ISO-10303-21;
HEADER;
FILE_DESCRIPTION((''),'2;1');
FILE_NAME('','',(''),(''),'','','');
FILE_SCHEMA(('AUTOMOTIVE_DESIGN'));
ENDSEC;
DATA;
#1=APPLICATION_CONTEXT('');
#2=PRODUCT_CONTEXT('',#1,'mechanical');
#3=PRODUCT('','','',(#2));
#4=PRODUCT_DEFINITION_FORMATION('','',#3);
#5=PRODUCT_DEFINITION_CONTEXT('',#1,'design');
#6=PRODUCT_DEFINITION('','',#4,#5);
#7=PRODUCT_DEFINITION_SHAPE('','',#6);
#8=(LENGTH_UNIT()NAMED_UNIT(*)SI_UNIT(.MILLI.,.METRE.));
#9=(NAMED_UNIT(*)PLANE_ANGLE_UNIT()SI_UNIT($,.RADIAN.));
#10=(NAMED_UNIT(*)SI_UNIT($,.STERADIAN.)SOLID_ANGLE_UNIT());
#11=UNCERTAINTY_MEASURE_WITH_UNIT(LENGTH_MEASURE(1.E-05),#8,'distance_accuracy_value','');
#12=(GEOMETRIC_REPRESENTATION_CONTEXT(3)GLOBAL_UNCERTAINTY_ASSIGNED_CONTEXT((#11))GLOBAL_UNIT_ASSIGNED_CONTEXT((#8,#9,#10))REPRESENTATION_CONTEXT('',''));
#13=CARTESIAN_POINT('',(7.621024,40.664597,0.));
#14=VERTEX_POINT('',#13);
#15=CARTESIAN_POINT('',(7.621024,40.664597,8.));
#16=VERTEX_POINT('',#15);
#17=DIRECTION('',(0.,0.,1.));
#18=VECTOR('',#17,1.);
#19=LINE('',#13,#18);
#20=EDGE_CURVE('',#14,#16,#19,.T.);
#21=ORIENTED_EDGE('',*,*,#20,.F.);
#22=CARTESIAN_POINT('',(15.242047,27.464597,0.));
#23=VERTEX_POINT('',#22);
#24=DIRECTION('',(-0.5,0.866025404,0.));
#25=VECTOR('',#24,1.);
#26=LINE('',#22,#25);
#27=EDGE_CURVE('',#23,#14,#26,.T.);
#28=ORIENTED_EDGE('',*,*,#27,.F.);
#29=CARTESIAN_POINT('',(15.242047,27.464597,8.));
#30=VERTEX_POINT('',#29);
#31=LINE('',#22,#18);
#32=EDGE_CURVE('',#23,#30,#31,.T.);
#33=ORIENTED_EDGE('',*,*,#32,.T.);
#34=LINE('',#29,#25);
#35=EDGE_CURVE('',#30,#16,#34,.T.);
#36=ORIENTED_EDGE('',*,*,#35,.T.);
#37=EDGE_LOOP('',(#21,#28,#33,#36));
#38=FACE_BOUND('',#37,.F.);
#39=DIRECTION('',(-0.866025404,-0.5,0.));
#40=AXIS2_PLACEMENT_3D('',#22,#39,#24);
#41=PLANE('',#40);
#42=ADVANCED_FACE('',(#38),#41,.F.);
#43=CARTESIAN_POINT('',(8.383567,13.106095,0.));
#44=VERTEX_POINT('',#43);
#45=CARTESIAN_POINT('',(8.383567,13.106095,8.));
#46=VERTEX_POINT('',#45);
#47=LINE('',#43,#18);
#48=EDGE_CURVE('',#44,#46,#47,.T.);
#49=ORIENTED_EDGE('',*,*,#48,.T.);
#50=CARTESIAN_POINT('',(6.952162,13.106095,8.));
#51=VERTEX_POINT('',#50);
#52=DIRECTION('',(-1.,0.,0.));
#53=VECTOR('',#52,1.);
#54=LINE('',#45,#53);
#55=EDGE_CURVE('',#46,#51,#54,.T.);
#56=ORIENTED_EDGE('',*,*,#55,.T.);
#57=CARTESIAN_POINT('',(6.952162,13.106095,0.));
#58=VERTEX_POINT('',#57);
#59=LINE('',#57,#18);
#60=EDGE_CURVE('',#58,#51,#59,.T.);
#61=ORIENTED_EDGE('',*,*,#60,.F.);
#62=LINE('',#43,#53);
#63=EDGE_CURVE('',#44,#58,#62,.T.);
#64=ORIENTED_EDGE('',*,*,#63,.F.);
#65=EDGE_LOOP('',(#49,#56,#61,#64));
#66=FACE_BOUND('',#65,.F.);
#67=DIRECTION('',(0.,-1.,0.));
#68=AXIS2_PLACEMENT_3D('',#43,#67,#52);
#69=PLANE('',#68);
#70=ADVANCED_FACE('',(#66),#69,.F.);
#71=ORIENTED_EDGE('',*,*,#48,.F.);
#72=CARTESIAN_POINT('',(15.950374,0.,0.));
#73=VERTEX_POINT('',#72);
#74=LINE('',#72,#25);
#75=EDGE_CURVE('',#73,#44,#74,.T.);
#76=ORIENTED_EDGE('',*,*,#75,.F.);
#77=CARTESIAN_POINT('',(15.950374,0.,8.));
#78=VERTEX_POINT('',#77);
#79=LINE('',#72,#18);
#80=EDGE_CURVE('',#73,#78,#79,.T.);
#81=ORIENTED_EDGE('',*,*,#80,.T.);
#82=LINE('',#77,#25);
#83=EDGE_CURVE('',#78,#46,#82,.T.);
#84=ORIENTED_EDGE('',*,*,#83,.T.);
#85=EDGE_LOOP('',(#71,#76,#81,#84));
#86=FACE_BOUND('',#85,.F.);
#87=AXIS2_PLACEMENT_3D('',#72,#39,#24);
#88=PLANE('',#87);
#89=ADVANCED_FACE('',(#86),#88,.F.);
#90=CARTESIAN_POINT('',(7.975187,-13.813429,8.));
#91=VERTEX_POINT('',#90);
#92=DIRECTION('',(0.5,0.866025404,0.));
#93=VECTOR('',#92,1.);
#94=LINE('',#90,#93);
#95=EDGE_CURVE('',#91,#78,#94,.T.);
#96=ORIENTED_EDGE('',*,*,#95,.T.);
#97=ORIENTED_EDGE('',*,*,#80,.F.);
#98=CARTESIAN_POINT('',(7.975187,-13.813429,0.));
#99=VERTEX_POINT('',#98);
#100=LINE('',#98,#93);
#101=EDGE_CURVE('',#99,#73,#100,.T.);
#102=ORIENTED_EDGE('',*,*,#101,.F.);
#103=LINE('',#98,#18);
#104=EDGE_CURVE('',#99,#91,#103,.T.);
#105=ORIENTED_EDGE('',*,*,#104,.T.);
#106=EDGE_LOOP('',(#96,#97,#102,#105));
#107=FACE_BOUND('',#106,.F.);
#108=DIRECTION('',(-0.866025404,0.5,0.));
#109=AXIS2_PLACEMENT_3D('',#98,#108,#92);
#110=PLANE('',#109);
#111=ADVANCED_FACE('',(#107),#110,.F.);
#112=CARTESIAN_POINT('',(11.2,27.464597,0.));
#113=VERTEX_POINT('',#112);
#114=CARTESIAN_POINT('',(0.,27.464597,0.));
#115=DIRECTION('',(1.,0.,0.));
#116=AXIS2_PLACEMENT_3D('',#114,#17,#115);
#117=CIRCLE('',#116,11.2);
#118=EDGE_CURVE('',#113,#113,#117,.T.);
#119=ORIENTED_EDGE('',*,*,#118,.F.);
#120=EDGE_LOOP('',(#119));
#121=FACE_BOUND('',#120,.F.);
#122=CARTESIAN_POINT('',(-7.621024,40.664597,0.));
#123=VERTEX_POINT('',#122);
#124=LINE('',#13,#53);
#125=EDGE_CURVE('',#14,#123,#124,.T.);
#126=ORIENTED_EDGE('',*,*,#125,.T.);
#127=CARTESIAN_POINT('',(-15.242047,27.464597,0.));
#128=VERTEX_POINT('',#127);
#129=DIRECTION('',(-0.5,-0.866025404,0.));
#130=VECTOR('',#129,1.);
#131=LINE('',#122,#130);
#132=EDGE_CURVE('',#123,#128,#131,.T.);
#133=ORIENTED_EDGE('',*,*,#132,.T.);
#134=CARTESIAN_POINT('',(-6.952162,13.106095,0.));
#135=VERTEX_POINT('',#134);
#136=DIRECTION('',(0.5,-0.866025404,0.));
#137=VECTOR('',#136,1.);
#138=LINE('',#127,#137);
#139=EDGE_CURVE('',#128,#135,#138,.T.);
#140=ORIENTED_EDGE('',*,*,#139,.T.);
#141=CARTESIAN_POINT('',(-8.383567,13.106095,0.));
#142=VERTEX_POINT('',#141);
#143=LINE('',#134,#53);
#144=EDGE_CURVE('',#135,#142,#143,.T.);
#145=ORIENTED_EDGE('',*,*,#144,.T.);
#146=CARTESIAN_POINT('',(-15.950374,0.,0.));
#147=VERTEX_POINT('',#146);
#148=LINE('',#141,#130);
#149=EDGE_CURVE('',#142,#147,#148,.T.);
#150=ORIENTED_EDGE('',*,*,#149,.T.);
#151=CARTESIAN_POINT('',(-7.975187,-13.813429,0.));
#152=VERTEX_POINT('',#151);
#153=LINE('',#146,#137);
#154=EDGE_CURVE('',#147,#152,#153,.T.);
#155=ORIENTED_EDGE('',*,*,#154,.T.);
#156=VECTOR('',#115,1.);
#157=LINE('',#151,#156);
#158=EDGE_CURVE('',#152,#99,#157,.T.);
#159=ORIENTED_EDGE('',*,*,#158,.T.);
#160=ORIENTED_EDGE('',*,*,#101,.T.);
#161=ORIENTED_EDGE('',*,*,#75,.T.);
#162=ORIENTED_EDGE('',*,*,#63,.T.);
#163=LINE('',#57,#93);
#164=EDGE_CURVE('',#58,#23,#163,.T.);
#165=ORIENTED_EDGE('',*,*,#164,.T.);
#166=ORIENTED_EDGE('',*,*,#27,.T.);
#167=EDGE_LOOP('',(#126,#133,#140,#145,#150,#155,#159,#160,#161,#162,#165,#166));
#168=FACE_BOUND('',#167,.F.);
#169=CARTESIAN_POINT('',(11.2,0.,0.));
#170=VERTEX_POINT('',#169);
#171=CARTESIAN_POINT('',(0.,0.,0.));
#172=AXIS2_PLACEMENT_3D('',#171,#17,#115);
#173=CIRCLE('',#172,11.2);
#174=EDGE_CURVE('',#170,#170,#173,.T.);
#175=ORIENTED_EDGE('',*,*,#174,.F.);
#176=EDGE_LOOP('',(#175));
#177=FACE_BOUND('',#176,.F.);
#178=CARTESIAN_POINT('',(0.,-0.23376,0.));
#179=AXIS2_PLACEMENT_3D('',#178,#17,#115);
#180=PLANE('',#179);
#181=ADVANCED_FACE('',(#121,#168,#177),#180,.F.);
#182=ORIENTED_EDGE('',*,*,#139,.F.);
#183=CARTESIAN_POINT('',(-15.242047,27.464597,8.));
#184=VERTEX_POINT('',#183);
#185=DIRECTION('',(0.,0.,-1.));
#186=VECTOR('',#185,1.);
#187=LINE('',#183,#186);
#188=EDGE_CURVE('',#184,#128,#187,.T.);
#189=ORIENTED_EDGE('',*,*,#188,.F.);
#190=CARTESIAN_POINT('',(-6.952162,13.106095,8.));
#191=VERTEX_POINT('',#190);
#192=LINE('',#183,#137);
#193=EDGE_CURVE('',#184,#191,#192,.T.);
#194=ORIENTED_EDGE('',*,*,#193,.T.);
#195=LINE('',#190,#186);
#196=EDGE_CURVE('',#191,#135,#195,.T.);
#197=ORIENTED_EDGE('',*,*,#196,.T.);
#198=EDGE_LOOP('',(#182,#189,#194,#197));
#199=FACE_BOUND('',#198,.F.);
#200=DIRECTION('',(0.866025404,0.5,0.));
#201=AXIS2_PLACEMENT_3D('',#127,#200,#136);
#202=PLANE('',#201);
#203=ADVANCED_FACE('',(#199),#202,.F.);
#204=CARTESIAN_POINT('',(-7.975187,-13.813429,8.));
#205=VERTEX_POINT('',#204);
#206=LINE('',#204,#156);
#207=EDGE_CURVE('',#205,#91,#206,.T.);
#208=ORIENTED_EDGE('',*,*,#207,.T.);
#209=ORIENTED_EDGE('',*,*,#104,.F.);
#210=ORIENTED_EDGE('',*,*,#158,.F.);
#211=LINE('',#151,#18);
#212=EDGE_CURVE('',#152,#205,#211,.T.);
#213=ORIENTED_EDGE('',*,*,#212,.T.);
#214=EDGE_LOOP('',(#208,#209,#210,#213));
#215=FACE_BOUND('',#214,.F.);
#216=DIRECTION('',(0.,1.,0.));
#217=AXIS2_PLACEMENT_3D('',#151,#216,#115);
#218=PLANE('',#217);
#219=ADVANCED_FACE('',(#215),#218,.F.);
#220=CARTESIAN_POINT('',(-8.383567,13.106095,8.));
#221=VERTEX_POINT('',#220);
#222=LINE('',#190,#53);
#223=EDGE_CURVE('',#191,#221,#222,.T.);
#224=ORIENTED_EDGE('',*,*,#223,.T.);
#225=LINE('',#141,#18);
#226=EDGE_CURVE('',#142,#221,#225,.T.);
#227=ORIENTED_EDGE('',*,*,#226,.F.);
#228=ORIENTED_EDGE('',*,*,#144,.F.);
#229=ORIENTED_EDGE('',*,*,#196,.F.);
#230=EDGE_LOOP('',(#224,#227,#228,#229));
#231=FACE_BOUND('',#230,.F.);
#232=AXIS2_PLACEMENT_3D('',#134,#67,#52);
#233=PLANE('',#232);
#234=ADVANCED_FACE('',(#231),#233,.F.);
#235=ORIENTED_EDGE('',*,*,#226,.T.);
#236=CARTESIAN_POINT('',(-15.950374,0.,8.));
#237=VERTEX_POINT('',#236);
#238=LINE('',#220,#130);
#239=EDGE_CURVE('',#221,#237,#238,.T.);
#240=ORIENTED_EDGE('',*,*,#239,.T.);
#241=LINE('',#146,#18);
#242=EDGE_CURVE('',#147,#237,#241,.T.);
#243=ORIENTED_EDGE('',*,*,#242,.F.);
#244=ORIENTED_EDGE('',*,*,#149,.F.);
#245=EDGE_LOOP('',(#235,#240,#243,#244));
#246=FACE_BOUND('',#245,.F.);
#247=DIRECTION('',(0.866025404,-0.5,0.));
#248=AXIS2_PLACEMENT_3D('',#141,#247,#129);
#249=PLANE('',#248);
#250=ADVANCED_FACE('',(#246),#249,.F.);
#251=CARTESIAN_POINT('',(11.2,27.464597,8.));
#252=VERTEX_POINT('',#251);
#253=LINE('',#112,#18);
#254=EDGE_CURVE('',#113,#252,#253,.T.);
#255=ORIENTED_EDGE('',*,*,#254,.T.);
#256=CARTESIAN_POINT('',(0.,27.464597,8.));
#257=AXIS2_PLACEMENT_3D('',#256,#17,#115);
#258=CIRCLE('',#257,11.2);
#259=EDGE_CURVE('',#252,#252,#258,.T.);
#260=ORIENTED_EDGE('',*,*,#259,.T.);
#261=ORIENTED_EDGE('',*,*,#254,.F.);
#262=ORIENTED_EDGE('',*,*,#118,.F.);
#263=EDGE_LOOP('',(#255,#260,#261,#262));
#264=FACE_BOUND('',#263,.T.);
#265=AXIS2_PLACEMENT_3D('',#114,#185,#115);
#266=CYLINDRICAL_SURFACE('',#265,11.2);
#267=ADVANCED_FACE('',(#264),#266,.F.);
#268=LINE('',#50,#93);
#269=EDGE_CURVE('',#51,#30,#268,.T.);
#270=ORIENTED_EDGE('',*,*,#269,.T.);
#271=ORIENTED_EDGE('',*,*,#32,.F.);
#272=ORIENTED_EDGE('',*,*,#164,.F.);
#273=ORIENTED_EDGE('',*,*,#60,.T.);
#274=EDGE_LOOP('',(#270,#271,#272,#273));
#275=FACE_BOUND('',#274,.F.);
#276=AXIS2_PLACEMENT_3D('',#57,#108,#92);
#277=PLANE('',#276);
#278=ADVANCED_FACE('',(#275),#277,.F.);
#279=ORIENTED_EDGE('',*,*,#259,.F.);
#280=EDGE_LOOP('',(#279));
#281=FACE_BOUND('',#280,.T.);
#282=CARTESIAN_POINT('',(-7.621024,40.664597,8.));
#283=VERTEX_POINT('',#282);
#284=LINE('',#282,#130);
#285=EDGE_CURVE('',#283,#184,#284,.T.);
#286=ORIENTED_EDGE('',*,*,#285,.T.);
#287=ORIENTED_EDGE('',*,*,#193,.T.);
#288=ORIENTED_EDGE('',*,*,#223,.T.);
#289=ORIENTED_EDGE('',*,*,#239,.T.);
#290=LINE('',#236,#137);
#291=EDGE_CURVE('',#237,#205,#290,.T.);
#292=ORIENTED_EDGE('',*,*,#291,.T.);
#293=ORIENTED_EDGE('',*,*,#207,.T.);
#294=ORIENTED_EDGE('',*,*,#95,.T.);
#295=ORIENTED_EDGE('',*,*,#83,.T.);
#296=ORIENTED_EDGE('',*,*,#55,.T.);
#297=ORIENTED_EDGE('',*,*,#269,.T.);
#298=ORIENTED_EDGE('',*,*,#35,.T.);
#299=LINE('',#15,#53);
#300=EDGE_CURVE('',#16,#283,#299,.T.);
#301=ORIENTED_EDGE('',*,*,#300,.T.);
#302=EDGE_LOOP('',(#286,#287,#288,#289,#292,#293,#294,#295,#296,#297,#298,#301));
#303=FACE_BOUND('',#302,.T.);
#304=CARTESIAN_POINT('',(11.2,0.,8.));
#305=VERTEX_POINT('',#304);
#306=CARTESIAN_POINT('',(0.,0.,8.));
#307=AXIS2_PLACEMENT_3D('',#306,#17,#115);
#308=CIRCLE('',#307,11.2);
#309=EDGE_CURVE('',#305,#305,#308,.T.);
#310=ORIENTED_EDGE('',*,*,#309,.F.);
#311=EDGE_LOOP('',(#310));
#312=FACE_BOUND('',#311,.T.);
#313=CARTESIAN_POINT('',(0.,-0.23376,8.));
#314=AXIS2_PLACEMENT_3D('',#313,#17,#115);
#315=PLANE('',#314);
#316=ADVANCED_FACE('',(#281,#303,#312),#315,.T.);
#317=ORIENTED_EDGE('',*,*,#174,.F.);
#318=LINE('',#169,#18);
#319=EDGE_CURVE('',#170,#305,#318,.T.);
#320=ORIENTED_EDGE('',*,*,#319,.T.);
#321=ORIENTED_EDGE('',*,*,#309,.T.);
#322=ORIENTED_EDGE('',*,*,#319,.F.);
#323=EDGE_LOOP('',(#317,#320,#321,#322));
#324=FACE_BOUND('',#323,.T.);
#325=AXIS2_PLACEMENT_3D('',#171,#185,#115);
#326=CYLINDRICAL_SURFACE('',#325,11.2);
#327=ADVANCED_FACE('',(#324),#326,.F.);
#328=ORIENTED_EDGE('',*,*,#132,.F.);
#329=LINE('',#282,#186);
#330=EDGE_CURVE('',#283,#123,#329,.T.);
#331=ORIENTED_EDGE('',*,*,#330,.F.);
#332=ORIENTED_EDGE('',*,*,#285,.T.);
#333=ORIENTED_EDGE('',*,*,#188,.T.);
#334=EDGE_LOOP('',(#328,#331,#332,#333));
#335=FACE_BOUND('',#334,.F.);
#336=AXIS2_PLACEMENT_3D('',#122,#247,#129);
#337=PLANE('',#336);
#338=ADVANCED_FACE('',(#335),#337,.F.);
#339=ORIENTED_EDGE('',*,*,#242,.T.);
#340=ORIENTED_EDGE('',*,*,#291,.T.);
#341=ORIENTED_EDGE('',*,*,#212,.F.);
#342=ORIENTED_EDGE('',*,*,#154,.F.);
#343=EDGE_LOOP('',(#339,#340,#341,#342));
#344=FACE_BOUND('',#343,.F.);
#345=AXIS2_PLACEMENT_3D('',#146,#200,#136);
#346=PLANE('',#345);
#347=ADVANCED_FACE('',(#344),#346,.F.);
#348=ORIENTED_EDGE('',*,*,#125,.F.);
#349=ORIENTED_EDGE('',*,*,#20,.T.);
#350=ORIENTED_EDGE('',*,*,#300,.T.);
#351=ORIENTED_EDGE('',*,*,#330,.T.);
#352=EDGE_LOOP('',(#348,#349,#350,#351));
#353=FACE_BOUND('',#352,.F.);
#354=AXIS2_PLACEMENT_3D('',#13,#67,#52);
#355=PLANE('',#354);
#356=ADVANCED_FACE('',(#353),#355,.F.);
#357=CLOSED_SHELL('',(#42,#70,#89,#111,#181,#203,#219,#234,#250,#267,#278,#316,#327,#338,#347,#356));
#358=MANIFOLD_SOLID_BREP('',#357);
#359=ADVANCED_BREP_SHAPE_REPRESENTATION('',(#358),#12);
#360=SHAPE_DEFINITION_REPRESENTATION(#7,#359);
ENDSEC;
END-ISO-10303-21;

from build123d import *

# Parameters (mm, degrees)
F0_R     = 11.2
F1_DEPTH = 7
F2_DEPTH = 8


with BuildPart() as f1:
    # F0 (on Top) → F1 (new body)
    with BuildSketch(Plane.XY):
        Polygon((-6.952162063, 13.1060945418), (-8.3835671309, 13.1060945418), (-15.9503743426, 0), (-7.9751871713, -13.8134293806), (7.9751871713, -13.8134293806), (15.9503743426, 0), (8.3835671309, 13.1060945418), (6.952162063, 13.1060945418), (6.8042630964, 12.8499260172), (-6.8042630964, 12.8499260172), align=None)
        Circle(F0_R, mode=Mode.SUBTRACT)
        Polygon((-15.2420471066, 27.4645966262), (-6.952162063, 13.1060945418), (6.952162063, 13.1060945418), (15.2420471066, 27.4645966262), (7.6210235533, 40.6645966262), (-7.6210235533, 40.6645966262), align=None)
        with Locations((0, 27.4645966262)):
            Circle(F0_R, mode=Mode.SUBTRACT)
        Polygon((6.952162063, 13.1060945418), (-6.952162063, 13.1060945418), (-6.8042630964, 12.8499260172), (6.8042630964, 12.8499260172), align=None)
    extrude(amount=F1_DEPTH)

    # F0 (on Top) → F2 (join)
    with BuildSketch(Plane.XY):
        Polygon((-6.952162063, 13.1060945418), (-8.3835671309, 13.1060945418), (-15.9503743426, 0), (-7.9751871713, -13.8134293806), (7.9751871713, -13.8134293806), (15.9503743426, 0), (8.3835671309, 13.1060945418), (6.952162063, 13.1060945418), (6.8042630964, 12.8499260172), (-6.8042630964, 12.8499260172), align=None)
        Circle(F0_R, mode=Mode.SUBTRACT)
        Polygon((-15.2420471066, 27.4645966262), (-6.952162063, 13.1060945418), (6.952162063, 13.1060945418), (15.2420471066, 27.4645966262), (7.6210235533, 40.6645966262), (-7.6210235533, 40.6645966262), align=None)
        with Locations((0, 27.4645966262)):
            Circle(F0_R, mode=Mode.SUBTRACT)
        Polygon((6.952162063, 13.1060945418), (-6.952162063, 13.1060945418), (-6.8042630964, 12.8499260172), (6.8042630964, 12.8499260172), align=None)
    extrude(amount=F2_DEPTH)


solid = f1.part
